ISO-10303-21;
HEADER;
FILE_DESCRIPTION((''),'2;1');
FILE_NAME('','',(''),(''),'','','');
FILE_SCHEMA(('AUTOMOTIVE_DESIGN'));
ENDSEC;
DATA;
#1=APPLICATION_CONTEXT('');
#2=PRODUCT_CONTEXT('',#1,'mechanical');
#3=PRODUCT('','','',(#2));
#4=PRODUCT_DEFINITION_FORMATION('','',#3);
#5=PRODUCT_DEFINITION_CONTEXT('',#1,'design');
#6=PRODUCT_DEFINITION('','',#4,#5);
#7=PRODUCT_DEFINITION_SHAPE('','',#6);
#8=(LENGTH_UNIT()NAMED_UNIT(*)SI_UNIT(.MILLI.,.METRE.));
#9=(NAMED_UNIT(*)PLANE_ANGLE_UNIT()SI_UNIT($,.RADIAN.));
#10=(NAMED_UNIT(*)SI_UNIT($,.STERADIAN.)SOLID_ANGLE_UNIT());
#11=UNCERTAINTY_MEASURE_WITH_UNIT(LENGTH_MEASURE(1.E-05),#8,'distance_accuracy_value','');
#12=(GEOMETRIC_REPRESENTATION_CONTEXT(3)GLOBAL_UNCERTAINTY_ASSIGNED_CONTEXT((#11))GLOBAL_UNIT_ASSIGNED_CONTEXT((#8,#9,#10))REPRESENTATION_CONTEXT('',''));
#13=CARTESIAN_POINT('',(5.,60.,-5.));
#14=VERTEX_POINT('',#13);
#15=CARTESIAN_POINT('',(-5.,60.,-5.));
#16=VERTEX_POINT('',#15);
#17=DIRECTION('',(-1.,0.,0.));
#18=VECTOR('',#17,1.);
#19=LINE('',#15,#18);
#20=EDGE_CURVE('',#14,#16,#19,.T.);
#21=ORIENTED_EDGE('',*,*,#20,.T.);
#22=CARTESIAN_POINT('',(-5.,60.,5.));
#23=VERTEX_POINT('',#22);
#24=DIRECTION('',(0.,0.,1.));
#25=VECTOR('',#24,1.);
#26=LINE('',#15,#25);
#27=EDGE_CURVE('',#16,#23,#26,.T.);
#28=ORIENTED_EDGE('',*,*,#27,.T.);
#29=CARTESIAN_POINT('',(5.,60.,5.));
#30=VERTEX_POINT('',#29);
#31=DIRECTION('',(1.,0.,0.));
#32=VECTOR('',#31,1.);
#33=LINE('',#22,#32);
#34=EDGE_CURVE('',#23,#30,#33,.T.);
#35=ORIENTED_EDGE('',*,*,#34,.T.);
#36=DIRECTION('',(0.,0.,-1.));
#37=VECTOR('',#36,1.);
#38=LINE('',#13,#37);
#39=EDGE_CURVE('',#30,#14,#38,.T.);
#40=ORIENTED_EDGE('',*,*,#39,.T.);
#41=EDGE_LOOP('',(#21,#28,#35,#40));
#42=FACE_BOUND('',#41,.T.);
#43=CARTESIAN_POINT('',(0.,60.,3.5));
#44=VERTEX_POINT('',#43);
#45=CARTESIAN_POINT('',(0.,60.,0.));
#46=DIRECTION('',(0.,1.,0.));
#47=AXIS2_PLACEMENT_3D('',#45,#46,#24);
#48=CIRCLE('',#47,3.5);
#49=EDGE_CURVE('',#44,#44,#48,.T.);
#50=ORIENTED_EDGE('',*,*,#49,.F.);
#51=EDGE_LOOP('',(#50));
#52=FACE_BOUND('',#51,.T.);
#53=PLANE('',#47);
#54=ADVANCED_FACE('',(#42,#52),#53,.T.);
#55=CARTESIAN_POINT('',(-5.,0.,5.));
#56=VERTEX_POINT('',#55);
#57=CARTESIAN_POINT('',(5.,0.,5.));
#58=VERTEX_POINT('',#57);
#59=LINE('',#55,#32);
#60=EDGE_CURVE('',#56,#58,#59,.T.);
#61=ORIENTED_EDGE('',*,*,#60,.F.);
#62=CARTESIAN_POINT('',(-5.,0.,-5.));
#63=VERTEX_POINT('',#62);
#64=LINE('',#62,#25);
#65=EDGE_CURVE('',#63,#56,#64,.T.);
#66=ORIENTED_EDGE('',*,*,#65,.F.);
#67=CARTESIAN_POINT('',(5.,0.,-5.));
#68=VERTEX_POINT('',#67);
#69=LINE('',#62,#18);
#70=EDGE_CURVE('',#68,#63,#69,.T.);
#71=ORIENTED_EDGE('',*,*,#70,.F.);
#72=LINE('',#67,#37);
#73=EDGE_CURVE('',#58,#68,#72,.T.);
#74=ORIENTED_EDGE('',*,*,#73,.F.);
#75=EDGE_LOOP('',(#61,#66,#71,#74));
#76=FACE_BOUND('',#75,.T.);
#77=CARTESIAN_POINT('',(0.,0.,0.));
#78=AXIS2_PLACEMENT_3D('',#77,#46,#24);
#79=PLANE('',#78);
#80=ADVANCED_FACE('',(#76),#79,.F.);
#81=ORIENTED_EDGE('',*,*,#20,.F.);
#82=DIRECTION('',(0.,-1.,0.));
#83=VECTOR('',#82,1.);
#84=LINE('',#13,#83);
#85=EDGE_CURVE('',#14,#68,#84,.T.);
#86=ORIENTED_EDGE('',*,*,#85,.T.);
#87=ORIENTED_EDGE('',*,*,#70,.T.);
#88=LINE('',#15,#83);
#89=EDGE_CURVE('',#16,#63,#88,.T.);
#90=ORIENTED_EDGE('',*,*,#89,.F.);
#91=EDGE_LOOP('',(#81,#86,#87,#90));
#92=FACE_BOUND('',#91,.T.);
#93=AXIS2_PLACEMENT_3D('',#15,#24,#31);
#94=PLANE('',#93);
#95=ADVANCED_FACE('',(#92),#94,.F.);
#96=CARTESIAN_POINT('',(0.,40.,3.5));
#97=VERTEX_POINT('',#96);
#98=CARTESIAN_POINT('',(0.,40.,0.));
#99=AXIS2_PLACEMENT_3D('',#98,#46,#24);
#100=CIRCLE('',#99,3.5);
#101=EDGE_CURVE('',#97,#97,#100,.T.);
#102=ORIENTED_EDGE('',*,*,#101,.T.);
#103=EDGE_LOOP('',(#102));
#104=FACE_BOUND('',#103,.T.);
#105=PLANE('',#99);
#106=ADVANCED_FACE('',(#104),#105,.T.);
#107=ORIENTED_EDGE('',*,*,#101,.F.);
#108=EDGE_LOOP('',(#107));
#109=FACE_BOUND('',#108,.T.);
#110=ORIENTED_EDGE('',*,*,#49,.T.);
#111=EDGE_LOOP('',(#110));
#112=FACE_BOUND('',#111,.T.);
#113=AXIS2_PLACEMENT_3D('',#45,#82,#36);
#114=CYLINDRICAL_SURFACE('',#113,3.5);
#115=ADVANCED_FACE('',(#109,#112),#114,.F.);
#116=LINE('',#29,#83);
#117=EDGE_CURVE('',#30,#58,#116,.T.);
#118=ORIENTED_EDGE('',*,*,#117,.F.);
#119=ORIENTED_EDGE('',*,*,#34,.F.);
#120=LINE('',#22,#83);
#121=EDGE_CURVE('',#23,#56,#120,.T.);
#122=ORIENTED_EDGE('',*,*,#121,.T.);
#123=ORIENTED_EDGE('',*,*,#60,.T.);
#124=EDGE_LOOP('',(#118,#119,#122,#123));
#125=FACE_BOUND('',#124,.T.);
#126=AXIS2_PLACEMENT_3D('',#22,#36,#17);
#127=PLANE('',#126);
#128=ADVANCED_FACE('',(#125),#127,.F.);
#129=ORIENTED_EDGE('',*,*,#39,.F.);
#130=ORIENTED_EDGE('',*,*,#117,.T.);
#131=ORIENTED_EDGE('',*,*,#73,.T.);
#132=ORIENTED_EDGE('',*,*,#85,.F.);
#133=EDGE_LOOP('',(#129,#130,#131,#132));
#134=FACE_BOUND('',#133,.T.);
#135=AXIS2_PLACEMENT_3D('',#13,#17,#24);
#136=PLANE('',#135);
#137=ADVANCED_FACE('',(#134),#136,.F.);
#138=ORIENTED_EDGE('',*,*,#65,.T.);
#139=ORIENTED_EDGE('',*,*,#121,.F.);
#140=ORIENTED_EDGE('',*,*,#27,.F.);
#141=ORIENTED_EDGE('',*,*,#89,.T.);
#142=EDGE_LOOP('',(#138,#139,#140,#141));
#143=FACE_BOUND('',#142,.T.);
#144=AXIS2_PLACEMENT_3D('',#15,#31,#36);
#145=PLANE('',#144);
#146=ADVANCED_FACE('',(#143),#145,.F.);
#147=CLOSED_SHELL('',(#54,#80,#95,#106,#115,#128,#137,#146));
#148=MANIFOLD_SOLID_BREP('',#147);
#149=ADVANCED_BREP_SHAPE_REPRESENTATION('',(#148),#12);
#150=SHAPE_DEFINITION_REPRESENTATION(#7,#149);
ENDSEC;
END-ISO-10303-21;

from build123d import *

# Parameters (mm, degrees)
SKETCH1_W           = 10
SKETCH1_H           = 10
SKETCH1_R           = 3.5
BOSS_EXTRUDE1_DEPTH = 60
SKETCH2_R           = 3.5
BOSS_EXTRUDE2_DEPTH = 40


with BuildPart() as part:
    # Sketch1 → Boss-Extrude1 (new body)
    with BuildSketch(Plane(origin=(0, 0, 0), x_dir=(1, 0, 0), z_dir=(0, 1, 0))):
        Rectangle(SKETCH1_W, SKETCH1_H)
        with Locations(Location((0, 0, 0), (0, 0, 270))):
            Circle(SKETCH1_R, mode=Mode.SUBTRACT)
    extrude(amount=BOSS_EXTRUDE1_DEPTH)

    # Sketch2 → Boss-Extrude2 (add)
    with BuildSketch(Plane(origin=(0, 0, 0), x_dir=(1, 0, 0), z_dir=(0, 1, 0))):
        with Locations(Location((0, 0, 0), (0, 0, 270))):
            Circle(SKETCH2_R)
    extrude(amount=BOSS_EXTRUDE2_DEPTH)


solid = part.part
